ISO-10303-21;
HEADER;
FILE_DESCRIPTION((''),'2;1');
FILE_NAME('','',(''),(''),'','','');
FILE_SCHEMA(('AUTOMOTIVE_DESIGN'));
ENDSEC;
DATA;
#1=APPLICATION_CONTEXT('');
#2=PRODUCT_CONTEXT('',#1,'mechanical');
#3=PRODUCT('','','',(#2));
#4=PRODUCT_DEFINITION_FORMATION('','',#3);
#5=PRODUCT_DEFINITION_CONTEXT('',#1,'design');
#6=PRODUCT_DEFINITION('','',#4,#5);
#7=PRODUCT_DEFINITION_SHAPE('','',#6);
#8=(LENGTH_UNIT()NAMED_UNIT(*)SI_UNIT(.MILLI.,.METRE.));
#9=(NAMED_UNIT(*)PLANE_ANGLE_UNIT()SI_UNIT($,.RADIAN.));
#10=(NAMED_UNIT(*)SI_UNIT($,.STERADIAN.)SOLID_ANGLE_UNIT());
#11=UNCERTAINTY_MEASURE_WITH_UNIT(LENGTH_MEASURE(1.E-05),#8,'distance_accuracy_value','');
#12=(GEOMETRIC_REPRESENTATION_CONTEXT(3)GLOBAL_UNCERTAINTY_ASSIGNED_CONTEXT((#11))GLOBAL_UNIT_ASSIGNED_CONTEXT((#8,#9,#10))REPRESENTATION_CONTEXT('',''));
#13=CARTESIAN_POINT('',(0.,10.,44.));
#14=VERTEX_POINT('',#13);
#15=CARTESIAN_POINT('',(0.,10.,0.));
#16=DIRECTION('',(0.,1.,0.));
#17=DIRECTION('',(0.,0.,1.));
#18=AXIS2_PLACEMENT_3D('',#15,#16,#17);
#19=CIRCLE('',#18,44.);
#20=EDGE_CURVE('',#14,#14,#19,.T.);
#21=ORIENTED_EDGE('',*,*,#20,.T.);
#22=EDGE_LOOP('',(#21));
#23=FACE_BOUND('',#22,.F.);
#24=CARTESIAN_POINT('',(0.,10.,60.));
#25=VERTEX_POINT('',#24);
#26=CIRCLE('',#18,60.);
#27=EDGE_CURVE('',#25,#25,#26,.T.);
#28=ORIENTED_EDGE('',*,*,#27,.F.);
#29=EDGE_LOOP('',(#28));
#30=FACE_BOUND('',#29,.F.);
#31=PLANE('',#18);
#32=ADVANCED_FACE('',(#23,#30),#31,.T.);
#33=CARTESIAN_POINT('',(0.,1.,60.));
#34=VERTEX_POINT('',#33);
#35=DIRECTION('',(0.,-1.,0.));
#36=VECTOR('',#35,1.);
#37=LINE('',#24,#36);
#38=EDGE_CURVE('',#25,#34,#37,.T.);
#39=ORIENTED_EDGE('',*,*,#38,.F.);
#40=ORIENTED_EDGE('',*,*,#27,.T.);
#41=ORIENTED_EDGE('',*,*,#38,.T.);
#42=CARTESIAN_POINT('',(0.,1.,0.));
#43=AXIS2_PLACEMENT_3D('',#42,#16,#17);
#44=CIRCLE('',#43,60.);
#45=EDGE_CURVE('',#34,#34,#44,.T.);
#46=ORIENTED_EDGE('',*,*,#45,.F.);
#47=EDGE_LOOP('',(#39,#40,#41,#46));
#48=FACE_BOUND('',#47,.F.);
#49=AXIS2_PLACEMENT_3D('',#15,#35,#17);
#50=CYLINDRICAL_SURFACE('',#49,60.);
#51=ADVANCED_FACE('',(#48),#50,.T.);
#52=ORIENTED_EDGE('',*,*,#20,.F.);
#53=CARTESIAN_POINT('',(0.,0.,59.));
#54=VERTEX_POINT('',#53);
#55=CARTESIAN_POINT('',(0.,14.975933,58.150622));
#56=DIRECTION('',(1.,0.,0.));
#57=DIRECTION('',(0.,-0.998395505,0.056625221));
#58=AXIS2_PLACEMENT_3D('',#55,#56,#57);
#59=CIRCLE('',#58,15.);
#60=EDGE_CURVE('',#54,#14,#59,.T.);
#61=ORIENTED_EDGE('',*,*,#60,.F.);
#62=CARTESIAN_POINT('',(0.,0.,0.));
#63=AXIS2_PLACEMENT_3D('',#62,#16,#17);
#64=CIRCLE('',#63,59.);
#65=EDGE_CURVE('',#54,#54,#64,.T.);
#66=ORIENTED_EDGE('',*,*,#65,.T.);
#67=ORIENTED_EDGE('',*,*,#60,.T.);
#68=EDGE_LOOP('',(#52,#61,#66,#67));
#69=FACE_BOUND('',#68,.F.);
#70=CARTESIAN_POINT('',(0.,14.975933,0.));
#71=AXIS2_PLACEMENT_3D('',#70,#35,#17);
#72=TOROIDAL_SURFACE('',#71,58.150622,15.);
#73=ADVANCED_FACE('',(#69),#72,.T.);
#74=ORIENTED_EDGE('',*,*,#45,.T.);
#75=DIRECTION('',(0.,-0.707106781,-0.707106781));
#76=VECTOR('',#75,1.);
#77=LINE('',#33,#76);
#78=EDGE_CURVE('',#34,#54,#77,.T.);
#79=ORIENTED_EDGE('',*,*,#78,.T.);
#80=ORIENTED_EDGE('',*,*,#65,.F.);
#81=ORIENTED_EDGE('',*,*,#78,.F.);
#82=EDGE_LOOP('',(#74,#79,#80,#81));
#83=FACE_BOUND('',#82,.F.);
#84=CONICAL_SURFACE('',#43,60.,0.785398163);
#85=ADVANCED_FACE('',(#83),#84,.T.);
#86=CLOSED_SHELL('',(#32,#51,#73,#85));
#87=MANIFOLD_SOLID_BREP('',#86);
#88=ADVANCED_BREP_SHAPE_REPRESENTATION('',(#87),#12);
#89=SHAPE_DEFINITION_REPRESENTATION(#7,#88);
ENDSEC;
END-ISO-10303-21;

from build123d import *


with BuildPart() as f1:
    # F0 (on Right) → F1 (revolve)
    with BuildSketch(Plane.YZ):
        with BuildLine():
            Line((1, 60), (0, 59))
            ThreePointArc((0, 59), (2.495178, 49.830119), (10, 44))
            Line((10, 44), (10, 60))
            Line((10, 60), (1, 60))
        make_face()
    revolve(axis=Axis((0, 5, 0), (0, 1, 0)))


solid = f1.part
